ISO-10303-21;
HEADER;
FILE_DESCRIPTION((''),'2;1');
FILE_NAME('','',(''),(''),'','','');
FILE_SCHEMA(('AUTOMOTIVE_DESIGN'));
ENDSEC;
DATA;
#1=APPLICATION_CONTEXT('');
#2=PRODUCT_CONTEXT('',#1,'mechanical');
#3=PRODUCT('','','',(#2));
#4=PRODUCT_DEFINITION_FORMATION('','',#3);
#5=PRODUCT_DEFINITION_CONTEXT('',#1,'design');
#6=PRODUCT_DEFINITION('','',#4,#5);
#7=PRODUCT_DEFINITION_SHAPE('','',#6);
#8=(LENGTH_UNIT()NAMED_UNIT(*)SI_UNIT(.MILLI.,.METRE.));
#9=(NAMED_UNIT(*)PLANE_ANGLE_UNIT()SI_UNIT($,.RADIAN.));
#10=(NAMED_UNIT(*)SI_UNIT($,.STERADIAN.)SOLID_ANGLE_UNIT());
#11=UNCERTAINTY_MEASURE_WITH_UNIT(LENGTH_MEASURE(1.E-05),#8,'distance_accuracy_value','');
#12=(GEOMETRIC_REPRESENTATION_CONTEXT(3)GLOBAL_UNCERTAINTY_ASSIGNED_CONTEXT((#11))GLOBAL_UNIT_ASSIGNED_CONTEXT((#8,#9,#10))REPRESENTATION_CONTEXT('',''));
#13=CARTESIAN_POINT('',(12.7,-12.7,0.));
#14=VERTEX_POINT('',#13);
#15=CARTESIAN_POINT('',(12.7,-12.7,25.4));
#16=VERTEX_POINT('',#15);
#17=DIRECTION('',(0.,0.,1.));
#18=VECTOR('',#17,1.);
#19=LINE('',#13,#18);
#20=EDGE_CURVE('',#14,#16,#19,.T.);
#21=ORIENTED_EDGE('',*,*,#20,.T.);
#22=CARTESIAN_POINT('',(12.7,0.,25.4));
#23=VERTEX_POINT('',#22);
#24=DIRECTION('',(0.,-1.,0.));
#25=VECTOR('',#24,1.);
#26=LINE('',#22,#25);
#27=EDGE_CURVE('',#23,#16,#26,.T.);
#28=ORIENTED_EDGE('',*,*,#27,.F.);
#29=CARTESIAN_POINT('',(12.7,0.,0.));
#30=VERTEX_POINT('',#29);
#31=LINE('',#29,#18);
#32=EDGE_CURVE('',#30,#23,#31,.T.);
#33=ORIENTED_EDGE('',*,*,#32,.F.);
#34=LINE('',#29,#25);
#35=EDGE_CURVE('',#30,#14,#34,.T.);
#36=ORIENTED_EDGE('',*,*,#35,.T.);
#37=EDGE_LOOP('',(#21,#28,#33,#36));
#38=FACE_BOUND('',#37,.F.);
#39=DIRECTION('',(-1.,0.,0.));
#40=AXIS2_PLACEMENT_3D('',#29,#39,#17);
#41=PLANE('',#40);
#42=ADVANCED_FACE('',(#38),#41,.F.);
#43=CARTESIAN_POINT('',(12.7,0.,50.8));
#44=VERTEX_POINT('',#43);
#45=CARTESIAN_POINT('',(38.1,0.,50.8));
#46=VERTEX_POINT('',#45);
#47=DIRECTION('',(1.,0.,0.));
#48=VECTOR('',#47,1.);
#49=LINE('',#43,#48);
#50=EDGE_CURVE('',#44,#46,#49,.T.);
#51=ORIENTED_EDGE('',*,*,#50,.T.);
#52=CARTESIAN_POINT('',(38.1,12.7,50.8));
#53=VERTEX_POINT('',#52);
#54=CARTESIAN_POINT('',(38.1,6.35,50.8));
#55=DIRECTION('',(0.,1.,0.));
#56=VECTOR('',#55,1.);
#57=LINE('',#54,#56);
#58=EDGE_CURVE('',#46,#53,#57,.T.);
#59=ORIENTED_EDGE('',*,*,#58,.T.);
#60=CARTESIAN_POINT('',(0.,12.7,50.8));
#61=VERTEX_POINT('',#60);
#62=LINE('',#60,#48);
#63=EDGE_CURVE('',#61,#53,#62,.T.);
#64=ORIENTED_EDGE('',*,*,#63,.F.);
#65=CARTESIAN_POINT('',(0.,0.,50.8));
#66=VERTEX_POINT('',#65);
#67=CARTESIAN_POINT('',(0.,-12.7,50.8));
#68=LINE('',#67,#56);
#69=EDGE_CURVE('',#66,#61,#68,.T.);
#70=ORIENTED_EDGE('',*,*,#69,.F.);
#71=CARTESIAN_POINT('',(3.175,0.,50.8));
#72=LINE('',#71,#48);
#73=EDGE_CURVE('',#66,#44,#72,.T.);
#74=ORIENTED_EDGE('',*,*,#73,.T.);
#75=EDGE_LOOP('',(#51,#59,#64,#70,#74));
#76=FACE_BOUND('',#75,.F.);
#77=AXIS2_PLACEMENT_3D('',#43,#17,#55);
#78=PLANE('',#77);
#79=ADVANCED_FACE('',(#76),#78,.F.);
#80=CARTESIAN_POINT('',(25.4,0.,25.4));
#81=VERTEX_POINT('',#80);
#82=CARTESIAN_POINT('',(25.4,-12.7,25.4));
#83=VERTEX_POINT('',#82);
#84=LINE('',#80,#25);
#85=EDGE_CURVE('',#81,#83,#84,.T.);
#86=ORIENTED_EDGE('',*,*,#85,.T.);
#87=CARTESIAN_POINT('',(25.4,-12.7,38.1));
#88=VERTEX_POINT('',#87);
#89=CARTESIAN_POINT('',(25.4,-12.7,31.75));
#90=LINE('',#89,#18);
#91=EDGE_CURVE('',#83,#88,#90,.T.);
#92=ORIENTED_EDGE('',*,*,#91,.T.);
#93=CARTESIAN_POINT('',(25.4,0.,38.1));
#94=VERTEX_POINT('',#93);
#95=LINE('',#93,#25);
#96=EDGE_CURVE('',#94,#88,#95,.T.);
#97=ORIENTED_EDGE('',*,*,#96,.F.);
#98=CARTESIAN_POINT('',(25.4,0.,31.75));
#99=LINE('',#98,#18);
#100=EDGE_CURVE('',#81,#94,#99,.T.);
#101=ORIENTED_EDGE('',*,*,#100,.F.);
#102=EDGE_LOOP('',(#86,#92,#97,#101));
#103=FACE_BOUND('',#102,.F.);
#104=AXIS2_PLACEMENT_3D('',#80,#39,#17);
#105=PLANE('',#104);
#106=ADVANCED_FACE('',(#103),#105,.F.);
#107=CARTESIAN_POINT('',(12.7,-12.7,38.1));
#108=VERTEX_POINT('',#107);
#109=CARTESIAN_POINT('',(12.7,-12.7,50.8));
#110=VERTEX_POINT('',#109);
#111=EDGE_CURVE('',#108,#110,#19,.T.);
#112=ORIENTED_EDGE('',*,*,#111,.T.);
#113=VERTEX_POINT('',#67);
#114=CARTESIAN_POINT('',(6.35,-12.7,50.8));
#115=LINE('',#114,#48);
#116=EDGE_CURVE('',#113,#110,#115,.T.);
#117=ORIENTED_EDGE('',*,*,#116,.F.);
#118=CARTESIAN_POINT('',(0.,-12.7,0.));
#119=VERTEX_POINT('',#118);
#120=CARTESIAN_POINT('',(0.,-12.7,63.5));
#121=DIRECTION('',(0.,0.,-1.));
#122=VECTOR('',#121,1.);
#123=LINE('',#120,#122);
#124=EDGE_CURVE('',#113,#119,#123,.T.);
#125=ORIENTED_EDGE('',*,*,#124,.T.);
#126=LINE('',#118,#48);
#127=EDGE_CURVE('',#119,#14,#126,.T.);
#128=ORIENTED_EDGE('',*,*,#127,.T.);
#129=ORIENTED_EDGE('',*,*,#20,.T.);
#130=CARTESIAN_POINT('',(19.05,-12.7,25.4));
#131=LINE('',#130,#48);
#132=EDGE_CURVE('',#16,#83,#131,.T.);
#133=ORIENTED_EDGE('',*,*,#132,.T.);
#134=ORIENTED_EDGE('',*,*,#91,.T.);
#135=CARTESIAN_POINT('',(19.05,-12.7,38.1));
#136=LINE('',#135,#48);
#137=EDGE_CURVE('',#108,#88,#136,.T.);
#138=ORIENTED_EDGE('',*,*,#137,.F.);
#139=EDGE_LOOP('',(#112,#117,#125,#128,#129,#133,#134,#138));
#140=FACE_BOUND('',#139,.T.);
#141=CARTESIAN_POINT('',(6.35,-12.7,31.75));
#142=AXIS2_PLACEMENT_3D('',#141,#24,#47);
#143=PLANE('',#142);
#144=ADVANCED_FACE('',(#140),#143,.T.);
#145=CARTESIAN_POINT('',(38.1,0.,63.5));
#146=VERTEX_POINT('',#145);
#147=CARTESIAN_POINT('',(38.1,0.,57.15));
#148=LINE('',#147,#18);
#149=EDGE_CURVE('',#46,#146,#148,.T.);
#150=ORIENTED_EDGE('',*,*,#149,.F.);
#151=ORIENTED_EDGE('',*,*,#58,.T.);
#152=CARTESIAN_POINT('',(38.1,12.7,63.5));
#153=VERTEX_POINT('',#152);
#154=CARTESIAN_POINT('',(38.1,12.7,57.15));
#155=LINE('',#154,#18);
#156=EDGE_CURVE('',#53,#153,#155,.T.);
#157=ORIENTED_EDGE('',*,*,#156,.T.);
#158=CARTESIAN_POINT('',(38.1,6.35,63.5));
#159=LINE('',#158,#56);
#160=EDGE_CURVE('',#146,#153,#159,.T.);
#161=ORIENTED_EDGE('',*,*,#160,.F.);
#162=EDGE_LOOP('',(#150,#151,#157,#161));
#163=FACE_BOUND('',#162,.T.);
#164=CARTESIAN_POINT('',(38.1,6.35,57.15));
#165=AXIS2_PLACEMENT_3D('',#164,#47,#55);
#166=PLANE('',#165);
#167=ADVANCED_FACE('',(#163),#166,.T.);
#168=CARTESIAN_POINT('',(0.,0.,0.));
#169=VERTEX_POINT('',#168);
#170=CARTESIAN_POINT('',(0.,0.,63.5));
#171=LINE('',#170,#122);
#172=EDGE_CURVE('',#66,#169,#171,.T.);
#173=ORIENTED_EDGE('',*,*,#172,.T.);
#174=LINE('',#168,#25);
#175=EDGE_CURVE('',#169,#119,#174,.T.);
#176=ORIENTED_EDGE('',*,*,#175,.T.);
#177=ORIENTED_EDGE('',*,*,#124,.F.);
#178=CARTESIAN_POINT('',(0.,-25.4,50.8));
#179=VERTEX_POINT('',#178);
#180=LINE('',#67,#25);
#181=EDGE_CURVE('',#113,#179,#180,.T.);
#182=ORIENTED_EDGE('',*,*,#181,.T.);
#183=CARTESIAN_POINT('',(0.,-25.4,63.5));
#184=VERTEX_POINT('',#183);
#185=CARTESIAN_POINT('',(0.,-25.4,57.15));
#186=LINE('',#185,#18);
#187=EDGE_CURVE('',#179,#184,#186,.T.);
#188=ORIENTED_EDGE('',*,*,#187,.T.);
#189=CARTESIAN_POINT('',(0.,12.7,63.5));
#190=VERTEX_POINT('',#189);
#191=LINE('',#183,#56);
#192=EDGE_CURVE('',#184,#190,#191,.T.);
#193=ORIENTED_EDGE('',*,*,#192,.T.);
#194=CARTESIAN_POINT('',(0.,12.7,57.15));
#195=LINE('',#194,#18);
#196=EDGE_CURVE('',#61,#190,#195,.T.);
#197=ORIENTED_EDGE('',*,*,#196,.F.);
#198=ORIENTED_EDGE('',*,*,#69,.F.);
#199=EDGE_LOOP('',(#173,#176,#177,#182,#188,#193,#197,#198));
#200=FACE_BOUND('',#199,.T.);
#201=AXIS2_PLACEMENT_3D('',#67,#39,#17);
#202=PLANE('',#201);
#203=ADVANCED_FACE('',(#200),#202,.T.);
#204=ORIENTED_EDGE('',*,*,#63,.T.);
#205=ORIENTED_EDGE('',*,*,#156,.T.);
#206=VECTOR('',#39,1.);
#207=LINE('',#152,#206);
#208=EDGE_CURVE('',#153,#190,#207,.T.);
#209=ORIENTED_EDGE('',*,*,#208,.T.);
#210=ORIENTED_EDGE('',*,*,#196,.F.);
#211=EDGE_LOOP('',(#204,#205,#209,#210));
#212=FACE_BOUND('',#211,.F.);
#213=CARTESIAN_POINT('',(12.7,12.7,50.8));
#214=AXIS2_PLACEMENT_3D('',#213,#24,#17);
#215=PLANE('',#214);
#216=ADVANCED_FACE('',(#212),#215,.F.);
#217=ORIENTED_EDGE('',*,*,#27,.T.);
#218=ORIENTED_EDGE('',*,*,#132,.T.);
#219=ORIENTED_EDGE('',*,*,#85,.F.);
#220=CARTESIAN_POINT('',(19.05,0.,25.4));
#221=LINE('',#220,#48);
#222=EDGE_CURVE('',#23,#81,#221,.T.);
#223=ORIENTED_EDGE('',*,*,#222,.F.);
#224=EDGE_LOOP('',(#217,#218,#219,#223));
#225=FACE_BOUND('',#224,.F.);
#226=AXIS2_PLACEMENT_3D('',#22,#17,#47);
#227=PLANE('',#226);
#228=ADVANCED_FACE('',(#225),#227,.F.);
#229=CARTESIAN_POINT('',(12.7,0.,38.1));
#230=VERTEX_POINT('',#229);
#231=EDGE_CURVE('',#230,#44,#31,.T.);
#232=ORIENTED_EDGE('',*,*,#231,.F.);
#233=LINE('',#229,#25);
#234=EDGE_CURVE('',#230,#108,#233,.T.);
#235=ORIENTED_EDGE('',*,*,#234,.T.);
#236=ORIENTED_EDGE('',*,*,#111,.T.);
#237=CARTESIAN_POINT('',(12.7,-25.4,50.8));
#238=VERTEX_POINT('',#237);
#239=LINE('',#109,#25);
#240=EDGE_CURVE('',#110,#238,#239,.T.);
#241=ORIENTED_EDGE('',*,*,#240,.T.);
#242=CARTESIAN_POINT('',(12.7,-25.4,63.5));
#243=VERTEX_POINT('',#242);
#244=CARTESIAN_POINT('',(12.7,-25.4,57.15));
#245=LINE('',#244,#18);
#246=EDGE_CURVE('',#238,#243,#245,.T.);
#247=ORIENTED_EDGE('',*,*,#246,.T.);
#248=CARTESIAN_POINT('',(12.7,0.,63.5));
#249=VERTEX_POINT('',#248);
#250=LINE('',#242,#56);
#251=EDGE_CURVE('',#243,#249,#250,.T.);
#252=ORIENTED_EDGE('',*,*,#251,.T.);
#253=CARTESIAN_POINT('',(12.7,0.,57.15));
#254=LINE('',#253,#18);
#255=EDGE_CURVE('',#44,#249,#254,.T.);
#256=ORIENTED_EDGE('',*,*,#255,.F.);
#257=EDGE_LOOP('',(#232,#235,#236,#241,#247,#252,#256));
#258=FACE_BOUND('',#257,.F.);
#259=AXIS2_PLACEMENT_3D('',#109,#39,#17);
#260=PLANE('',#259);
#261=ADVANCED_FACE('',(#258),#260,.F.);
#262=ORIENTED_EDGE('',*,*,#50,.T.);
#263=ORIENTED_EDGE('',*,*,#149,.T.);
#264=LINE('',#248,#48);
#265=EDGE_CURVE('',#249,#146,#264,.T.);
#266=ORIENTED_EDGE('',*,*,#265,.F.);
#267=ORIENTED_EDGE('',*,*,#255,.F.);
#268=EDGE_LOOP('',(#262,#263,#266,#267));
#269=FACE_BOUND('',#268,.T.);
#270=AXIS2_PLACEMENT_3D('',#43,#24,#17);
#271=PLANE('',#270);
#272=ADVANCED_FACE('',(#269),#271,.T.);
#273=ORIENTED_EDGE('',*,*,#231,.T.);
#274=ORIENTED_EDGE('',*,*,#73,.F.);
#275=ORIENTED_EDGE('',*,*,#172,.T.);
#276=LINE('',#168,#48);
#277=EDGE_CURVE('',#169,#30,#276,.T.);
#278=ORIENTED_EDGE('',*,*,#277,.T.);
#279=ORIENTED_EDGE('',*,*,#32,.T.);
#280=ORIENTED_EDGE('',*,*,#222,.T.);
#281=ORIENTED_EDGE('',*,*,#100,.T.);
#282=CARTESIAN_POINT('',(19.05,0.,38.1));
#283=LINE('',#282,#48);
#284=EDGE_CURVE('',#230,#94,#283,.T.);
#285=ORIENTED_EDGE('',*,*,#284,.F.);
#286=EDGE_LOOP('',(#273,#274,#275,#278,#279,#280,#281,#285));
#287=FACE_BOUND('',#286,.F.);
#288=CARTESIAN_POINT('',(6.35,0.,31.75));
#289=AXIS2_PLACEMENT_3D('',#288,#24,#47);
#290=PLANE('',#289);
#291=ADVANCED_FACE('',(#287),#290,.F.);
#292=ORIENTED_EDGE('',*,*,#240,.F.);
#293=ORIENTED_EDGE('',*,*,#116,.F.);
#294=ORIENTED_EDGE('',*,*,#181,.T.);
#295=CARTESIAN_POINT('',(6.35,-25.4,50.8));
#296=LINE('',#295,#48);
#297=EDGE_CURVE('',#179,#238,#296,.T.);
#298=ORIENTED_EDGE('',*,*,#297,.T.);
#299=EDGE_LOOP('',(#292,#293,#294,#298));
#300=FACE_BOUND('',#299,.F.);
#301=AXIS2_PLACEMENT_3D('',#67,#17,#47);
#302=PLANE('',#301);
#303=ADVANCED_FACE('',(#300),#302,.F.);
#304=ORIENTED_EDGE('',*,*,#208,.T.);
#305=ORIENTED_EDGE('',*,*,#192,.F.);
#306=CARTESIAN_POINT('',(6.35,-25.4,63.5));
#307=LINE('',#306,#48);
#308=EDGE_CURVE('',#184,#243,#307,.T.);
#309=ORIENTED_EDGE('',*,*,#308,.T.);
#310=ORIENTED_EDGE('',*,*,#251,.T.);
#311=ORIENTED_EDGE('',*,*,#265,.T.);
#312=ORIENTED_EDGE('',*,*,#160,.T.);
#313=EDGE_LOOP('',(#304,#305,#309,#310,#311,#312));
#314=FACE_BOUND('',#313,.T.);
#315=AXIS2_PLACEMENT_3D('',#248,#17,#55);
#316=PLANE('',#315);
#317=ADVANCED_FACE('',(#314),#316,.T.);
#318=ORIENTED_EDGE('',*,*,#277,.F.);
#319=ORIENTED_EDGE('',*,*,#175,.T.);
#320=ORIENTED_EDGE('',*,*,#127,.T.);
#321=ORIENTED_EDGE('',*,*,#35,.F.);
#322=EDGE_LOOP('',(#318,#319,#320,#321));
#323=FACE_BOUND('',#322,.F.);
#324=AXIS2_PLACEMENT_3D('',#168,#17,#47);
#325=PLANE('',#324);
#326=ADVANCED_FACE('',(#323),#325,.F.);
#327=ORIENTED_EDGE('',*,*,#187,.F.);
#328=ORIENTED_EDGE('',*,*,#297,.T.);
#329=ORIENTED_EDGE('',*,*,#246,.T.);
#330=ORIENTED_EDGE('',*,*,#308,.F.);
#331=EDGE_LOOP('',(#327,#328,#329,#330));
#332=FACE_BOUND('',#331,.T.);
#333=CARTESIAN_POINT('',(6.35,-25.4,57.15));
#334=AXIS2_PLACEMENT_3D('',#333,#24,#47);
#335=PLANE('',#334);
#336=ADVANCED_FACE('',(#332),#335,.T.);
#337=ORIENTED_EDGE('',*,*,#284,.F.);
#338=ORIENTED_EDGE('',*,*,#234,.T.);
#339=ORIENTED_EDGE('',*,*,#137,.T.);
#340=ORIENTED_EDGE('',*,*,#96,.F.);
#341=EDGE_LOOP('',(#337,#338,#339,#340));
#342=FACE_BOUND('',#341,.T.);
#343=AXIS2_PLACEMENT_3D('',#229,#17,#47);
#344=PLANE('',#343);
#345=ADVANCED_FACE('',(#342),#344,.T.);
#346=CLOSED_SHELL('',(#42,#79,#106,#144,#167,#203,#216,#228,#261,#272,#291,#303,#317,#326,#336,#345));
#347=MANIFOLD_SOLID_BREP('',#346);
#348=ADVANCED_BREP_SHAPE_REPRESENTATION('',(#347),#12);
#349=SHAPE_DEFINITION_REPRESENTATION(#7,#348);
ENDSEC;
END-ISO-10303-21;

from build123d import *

# Parameters (mm, degrees)
F0_W          = 12.7
F0_H          = 12.7
F1_DEPTH      = 12.7
F2_W          = 12.7
F2_H          = 12.7
F3_DEPTH      = 12.7
F3_DEPTH_BACK = 25.4
F4_W          = 12.7
F4_H          = 12.7
F5_DEPTH      = 25.4


with BuildPart() as f1:
    # F0 (on Front) → F1 (new body)
    with BuildSketch(Plane.XZ):
        Polygon((0, 63.5), (0, 0), (12.7, 0), (12.7, 25.4), (12.7, 38.1), (12.7, 63.5), align=None)
        with Locations((19.05, 31.75)):
            Rectangle(F0_W, F0_H)
    extrude(amount=F1_DEPTH)

    # F2 (on face) → F3 (join, two sides)
    with BuildSketch(Plane.XZ.offset(12.7)) as f3_sk:
        with Locations((6.35, 57.15)):
            Rectangle(F2_W, F2_H)
    extrude(amount=F3_DEPTH)
    extrude(f3_sk.sketch, amount=-F3_DEPTH_BACK)

    # F4 (on face) → F5 (join)
    with BuildSketch(Plane.YZ.offset(12.7)):
        with Locations((6.35, 57.15)):
            Rectangle(F4_W, F4_H)
    extrude(amount=F5_DEPTH)


solid = f1.part
